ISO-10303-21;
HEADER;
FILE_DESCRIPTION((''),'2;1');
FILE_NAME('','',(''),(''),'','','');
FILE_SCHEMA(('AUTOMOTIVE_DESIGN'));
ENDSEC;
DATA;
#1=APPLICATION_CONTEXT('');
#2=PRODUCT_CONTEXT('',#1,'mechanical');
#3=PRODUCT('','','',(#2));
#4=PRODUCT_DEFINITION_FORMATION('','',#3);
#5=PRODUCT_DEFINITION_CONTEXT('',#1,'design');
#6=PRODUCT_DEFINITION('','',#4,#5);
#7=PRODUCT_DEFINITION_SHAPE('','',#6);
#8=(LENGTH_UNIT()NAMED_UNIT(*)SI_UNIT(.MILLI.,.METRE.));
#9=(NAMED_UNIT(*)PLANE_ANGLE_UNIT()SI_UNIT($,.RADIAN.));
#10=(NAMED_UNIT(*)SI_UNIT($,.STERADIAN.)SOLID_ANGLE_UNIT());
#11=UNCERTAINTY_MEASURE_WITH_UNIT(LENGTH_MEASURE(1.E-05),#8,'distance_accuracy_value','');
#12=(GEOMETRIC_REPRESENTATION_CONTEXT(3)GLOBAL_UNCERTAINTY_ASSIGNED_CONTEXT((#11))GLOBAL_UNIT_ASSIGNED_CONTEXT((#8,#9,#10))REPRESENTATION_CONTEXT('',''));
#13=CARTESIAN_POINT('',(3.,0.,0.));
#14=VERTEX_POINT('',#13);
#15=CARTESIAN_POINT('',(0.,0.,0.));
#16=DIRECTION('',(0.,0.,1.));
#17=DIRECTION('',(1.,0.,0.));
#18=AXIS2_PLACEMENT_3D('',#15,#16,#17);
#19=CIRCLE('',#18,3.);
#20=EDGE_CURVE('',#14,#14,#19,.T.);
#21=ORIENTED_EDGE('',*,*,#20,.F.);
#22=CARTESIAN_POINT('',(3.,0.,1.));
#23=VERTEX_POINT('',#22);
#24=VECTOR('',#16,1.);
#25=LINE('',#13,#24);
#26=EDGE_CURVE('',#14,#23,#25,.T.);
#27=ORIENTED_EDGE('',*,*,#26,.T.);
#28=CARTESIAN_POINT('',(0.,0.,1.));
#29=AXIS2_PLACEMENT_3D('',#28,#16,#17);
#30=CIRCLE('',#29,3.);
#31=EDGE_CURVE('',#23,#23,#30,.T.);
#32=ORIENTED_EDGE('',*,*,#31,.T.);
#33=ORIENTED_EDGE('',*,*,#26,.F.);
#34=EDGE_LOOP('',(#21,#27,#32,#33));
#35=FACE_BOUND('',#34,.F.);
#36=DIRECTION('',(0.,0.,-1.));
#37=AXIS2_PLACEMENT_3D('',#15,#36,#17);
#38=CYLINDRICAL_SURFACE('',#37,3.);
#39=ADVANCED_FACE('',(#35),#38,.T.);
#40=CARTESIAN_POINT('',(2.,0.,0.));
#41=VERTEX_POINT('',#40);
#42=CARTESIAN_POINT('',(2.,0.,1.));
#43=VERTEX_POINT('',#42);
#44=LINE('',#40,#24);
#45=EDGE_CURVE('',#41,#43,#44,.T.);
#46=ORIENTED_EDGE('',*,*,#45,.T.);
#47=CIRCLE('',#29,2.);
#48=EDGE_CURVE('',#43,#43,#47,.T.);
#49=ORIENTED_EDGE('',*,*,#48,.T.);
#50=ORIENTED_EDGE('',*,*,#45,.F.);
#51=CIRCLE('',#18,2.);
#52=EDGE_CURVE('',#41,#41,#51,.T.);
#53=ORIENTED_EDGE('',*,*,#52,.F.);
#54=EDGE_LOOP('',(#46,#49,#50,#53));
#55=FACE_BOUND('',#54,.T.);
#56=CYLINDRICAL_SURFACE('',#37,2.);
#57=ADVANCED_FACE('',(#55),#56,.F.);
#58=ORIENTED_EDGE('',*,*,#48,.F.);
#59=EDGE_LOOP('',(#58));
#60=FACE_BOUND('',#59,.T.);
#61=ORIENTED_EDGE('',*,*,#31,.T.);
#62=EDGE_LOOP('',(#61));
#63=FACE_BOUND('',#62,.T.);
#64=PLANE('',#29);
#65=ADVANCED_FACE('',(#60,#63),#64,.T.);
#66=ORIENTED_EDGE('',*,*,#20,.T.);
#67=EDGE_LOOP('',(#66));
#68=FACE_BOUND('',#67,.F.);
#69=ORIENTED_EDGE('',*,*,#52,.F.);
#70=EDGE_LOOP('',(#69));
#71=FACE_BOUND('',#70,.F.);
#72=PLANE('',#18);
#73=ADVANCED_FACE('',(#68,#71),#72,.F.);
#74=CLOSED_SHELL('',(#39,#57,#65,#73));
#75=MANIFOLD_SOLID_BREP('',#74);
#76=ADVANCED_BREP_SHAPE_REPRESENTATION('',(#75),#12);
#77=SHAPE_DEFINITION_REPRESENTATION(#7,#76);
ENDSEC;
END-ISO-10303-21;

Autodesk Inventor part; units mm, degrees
ref_plane "YZ Plane" through (0, 0, 0) normal (1, 0, 0) x (0, 1, 0)
ref_plane "XZ Plane" through (0, 0, 0) normal (0, 1, 0) x (-1, 0, 0)
ref_plane "XY Plane" through (0, 0, 0) normal (0, 0, 1) x (1, 0, 0)
sketch "スケッチ1" plane through (0, 0, 0) normal (0, 0, 1) x (1, 0, 0)
  circle A0 centre (0, 0) radius 3
  circle A1 centre (0, 0) radius 2
  dimension "d0" = 4
  dimension "d1" = 6
extrude "押し出し1" add sketch "スケッチ1" along normal blind 1
properties part number "02" material "アルミニウム 6061"
